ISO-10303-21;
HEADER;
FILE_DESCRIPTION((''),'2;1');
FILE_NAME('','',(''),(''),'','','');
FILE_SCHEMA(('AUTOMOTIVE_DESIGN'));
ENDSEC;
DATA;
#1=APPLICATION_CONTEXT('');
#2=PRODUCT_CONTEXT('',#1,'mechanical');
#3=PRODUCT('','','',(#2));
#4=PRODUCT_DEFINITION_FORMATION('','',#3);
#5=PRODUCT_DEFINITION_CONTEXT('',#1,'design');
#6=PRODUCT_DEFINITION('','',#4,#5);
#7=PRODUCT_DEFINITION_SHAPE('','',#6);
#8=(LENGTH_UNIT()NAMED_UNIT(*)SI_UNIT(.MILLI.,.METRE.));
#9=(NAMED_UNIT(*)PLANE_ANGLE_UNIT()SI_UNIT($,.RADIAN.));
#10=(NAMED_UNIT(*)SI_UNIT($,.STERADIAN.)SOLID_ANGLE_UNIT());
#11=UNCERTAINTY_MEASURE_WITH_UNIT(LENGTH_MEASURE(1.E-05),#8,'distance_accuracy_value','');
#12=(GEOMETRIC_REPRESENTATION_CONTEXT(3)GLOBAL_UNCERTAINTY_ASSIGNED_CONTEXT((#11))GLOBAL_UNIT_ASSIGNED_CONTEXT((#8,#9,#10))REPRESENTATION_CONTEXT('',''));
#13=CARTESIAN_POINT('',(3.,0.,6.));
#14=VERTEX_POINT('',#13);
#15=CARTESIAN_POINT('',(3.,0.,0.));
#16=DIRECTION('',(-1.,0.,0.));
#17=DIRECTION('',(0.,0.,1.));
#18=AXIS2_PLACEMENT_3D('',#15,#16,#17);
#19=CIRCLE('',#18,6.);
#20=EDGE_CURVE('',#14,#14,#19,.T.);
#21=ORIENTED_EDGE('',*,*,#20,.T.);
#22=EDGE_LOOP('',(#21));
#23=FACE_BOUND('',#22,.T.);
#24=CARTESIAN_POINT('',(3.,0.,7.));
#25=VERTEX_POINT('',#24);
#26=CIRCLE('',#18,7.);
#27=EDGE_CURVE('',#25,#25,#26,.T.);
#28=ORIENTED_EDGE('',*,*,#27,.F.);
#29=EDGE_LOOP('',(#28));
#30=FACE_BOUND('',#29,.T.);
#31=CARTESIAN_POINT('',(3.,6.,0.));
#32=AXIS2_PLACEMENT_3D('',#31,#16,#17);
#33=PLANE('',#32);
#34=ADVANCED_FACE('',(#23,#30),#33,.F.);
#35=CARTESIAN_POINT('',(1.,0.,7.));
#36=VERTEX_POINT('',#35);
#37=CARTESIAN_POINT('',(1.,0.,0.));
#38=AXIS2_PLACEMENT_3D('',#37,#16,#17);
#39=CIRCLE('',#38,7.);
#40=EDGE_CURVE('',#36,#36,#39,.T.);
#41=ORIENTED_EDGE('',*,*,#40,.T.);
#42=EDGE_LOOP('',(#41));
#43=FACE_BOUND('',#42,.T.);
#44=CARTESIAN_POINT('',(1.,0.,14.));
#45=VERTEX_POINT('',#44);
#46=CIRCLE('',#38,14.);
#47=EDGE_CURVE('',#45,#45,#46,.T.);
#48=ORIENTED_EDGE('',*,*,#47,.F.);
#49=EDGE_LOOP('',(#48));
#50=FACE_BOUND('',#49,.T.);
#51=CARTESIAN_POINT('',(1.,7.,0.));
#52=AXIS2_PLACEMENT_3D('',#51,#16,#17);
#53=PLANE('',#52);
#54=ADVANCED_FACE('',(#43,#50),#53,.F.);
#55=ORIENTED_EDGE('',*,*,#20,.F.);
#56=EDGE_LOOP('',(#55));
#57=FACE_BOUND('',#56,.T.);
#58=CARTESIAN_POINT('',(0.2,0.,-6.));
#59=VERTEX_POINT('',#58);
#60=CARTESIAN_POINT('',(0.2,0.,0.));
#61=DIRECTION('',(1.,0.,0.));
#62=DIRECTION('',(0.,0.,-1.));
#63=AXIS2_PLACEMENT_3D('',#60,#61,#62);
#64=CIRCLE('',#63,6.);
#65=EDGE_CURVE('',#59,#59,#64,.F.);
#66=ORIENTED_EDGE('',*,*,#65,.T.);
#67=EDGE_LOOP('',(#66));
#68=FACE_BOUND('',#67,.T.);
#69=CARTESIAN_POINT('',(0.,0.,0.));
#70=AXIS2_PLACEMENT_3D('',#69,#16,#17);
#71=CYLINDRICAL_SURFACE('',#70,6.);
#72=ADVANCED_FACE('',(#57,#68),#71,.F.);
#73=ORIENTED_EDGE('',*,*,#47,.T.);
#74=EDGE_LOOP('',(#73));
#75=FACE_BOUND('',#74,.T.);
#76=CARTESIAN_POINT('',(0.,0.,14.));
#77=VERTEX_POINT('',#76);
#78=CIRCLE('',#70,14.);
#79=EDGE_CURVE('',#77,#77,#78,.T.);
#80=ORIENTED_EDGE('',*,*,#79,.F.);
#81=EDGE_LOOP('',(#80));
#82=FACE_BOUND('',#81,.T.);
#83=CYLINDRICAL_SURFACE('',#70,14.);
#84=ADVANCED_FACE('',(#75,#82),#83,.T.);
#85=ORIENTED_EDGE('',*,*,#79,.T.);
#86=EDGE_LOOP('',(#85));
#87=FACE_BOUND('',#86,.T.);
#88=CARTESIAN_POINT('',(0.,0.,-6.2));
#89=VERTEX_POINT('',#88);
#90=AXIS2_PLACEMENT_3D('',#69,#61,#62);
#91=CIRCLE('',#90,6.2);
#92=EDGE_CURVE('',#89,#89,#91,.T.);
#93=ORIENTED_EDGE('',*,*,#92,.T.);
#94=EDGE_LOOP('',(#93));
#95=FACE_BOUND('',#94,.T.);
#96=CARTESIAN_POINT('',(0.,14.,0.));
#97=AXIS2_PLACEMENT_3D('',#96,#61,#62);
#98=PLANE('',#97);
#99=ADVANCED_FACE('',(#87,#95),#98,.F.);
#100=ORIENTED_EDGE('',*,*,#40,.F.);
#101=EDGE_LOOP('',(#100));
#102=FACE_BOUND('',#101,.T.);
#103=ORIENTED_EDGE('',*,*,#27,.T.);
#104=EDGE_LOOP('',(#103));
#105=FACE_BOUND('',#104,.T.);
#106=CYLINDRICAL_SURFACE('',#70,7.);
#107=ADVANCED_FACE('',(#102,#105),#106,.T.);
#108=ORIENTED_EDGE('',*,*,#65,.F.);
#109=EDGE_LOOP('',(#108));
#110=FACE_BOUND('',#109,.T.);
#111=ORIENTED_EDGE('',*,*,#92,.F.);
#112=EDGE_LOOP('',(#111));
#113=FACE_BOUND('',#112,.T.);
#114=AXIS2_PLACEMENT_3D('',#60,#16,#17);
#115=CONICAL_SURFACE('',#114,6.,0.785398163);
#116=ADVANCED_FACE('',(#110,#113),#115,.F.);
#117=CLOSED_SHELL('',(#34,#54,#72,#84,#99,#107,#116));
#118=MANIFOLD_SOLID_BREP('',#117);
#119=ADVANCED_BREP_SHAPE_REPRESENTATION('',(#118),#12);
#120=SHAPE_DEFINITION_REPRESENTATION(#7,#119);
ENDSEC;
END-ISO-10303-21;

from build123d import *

# Parameters (mm, degrees)
CHAMFER1_SIZE = 0.2


with BuildPart() as part:
    # Sketch1 → Revolve1 (revolve)
    with BuildSketch(Plane.XY):
        Polygon((0, 14), (0, 6), (3, 6), (3, 7), (1, 7), (1, 14), align=None)
    revolve(axis=Axis((0, 0, 0), (1, 0, 0)))

    # Chamfer1
    chamfer1_edges = [part.edges().sort_by_distance(p)[0] for p in [
        (0, -6, 0),
    ]]
    chamfer(chamfer1_edges, length=CHAMFER1_SIZE)


solid = part.part
